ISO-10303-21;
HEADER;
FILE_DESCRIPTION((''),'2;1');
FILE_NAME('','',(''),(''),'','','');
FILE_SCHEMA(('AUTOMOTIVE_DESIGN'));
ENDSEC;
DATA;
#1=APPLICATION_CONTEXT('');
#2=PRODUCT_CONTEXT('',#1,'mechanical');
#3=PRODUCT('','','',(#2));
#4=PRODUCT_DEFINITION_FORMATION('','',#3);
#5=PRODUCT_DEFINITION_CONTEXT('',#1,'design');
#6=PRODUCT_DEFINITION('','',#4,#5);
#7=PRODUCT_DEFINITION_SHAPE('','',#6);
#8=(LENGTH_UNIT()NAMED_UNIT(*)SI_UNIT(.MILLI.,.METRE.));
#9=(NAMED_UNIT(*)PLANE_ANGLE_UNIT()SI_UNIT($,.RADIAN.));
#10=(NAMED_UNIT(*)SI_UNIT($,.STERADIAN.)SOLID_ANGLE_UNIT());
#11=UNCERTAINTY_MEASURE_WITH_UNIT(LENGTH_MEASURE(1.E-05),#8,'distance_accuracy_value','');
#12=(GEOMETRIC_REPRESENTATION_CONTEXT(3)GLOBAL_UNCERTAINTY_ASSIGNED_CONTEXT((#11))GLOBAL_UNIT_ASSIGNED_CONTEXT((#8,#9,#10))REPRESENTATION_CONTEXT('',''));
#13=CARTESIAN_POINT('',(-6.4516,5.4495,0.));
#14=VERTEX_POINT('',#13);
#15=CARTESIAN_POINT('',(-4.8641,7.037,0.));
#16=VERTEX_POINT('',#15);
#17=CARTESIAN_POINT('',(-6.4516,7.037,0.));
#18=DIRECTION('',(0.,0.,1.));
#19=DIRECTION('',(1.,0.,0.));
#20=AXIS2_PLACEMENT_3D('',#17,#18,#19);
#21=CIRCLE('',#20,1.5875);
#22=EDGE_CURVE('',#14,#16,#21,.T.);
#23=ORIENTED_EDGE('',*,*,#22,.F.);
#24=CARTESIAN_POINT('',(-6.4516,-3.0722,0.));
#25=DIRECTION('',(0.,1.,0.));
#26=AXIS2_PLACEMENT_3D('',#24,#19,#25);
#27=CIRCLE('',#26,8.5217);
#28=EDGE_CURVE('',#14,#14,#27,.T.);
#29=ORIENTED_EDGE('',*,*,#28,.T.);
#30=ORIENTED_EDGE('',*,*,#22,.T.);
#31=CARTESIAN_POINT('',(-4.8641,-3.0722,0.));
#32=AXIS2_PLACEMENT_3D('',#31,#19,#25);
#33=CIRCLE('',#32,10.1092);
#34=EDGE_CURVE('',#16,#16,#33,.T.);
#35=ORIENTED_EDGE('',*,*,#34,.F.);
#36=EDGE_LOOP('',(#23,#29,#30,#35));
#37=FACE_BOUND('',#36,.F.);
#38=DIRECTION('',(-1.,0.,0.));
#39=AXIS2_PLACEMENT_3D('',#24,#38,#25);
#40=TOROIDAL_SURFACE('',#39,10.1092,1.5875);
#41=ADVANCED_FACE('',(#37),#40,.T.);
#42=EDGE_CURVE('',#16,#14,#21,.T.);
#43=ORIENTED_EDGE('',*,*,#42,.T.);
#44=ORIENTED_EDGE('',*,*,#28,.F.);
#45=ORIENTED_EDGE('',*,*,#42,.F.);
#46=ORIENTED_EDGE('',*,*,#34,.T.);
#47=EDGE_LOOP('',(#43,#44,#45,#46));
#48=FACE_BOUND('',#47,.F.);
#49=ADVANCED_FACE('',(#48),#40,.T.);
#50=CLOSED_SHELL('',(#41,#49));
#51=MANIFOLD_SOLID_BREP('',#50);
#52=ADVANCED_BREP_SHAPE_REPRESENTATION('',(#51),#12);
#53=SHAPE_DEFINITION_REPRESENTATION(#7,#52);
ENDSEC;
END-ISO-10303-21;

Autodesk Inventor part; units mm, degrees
ref_plane "YZ Plane" through (0, 0, 0) normal (1, 0, 0) x (0, 1, 0)
ref_plane "XZ Plane" through (0, 0, 0) normal (0, 1, 0) x (-1, 0, 0)
ref_plane "XY Plane" through (0, 0, 0) normal (0, 0, 1) x (1, 0, 0)
sketch "Sketch1" plane through (0, 0, 0) normal (0, 0, 1) x (1, 0, 0)
  circle A0 centre (-6.4516, 7.037) radius 1.5875
  line L0 (-23.4255, -3.0722) -> (10.3687, -3.0722)
  line L1 (-6.4516, 7.037) -> (-6.4516, 5.4495)
  line L2 (-6.4516, 5.4495) -> (-6.4516, -3.0722)
  dimension "d0" = 3.175
  dimension "d1" = 8.5217
revolve "Revolution1" add sketch "Sketch1" angle 360 about axis through (-23.4255, -3.0722, 0) along (1, 0, 0)
properties part number "O Ring 2 R.671 1764"
